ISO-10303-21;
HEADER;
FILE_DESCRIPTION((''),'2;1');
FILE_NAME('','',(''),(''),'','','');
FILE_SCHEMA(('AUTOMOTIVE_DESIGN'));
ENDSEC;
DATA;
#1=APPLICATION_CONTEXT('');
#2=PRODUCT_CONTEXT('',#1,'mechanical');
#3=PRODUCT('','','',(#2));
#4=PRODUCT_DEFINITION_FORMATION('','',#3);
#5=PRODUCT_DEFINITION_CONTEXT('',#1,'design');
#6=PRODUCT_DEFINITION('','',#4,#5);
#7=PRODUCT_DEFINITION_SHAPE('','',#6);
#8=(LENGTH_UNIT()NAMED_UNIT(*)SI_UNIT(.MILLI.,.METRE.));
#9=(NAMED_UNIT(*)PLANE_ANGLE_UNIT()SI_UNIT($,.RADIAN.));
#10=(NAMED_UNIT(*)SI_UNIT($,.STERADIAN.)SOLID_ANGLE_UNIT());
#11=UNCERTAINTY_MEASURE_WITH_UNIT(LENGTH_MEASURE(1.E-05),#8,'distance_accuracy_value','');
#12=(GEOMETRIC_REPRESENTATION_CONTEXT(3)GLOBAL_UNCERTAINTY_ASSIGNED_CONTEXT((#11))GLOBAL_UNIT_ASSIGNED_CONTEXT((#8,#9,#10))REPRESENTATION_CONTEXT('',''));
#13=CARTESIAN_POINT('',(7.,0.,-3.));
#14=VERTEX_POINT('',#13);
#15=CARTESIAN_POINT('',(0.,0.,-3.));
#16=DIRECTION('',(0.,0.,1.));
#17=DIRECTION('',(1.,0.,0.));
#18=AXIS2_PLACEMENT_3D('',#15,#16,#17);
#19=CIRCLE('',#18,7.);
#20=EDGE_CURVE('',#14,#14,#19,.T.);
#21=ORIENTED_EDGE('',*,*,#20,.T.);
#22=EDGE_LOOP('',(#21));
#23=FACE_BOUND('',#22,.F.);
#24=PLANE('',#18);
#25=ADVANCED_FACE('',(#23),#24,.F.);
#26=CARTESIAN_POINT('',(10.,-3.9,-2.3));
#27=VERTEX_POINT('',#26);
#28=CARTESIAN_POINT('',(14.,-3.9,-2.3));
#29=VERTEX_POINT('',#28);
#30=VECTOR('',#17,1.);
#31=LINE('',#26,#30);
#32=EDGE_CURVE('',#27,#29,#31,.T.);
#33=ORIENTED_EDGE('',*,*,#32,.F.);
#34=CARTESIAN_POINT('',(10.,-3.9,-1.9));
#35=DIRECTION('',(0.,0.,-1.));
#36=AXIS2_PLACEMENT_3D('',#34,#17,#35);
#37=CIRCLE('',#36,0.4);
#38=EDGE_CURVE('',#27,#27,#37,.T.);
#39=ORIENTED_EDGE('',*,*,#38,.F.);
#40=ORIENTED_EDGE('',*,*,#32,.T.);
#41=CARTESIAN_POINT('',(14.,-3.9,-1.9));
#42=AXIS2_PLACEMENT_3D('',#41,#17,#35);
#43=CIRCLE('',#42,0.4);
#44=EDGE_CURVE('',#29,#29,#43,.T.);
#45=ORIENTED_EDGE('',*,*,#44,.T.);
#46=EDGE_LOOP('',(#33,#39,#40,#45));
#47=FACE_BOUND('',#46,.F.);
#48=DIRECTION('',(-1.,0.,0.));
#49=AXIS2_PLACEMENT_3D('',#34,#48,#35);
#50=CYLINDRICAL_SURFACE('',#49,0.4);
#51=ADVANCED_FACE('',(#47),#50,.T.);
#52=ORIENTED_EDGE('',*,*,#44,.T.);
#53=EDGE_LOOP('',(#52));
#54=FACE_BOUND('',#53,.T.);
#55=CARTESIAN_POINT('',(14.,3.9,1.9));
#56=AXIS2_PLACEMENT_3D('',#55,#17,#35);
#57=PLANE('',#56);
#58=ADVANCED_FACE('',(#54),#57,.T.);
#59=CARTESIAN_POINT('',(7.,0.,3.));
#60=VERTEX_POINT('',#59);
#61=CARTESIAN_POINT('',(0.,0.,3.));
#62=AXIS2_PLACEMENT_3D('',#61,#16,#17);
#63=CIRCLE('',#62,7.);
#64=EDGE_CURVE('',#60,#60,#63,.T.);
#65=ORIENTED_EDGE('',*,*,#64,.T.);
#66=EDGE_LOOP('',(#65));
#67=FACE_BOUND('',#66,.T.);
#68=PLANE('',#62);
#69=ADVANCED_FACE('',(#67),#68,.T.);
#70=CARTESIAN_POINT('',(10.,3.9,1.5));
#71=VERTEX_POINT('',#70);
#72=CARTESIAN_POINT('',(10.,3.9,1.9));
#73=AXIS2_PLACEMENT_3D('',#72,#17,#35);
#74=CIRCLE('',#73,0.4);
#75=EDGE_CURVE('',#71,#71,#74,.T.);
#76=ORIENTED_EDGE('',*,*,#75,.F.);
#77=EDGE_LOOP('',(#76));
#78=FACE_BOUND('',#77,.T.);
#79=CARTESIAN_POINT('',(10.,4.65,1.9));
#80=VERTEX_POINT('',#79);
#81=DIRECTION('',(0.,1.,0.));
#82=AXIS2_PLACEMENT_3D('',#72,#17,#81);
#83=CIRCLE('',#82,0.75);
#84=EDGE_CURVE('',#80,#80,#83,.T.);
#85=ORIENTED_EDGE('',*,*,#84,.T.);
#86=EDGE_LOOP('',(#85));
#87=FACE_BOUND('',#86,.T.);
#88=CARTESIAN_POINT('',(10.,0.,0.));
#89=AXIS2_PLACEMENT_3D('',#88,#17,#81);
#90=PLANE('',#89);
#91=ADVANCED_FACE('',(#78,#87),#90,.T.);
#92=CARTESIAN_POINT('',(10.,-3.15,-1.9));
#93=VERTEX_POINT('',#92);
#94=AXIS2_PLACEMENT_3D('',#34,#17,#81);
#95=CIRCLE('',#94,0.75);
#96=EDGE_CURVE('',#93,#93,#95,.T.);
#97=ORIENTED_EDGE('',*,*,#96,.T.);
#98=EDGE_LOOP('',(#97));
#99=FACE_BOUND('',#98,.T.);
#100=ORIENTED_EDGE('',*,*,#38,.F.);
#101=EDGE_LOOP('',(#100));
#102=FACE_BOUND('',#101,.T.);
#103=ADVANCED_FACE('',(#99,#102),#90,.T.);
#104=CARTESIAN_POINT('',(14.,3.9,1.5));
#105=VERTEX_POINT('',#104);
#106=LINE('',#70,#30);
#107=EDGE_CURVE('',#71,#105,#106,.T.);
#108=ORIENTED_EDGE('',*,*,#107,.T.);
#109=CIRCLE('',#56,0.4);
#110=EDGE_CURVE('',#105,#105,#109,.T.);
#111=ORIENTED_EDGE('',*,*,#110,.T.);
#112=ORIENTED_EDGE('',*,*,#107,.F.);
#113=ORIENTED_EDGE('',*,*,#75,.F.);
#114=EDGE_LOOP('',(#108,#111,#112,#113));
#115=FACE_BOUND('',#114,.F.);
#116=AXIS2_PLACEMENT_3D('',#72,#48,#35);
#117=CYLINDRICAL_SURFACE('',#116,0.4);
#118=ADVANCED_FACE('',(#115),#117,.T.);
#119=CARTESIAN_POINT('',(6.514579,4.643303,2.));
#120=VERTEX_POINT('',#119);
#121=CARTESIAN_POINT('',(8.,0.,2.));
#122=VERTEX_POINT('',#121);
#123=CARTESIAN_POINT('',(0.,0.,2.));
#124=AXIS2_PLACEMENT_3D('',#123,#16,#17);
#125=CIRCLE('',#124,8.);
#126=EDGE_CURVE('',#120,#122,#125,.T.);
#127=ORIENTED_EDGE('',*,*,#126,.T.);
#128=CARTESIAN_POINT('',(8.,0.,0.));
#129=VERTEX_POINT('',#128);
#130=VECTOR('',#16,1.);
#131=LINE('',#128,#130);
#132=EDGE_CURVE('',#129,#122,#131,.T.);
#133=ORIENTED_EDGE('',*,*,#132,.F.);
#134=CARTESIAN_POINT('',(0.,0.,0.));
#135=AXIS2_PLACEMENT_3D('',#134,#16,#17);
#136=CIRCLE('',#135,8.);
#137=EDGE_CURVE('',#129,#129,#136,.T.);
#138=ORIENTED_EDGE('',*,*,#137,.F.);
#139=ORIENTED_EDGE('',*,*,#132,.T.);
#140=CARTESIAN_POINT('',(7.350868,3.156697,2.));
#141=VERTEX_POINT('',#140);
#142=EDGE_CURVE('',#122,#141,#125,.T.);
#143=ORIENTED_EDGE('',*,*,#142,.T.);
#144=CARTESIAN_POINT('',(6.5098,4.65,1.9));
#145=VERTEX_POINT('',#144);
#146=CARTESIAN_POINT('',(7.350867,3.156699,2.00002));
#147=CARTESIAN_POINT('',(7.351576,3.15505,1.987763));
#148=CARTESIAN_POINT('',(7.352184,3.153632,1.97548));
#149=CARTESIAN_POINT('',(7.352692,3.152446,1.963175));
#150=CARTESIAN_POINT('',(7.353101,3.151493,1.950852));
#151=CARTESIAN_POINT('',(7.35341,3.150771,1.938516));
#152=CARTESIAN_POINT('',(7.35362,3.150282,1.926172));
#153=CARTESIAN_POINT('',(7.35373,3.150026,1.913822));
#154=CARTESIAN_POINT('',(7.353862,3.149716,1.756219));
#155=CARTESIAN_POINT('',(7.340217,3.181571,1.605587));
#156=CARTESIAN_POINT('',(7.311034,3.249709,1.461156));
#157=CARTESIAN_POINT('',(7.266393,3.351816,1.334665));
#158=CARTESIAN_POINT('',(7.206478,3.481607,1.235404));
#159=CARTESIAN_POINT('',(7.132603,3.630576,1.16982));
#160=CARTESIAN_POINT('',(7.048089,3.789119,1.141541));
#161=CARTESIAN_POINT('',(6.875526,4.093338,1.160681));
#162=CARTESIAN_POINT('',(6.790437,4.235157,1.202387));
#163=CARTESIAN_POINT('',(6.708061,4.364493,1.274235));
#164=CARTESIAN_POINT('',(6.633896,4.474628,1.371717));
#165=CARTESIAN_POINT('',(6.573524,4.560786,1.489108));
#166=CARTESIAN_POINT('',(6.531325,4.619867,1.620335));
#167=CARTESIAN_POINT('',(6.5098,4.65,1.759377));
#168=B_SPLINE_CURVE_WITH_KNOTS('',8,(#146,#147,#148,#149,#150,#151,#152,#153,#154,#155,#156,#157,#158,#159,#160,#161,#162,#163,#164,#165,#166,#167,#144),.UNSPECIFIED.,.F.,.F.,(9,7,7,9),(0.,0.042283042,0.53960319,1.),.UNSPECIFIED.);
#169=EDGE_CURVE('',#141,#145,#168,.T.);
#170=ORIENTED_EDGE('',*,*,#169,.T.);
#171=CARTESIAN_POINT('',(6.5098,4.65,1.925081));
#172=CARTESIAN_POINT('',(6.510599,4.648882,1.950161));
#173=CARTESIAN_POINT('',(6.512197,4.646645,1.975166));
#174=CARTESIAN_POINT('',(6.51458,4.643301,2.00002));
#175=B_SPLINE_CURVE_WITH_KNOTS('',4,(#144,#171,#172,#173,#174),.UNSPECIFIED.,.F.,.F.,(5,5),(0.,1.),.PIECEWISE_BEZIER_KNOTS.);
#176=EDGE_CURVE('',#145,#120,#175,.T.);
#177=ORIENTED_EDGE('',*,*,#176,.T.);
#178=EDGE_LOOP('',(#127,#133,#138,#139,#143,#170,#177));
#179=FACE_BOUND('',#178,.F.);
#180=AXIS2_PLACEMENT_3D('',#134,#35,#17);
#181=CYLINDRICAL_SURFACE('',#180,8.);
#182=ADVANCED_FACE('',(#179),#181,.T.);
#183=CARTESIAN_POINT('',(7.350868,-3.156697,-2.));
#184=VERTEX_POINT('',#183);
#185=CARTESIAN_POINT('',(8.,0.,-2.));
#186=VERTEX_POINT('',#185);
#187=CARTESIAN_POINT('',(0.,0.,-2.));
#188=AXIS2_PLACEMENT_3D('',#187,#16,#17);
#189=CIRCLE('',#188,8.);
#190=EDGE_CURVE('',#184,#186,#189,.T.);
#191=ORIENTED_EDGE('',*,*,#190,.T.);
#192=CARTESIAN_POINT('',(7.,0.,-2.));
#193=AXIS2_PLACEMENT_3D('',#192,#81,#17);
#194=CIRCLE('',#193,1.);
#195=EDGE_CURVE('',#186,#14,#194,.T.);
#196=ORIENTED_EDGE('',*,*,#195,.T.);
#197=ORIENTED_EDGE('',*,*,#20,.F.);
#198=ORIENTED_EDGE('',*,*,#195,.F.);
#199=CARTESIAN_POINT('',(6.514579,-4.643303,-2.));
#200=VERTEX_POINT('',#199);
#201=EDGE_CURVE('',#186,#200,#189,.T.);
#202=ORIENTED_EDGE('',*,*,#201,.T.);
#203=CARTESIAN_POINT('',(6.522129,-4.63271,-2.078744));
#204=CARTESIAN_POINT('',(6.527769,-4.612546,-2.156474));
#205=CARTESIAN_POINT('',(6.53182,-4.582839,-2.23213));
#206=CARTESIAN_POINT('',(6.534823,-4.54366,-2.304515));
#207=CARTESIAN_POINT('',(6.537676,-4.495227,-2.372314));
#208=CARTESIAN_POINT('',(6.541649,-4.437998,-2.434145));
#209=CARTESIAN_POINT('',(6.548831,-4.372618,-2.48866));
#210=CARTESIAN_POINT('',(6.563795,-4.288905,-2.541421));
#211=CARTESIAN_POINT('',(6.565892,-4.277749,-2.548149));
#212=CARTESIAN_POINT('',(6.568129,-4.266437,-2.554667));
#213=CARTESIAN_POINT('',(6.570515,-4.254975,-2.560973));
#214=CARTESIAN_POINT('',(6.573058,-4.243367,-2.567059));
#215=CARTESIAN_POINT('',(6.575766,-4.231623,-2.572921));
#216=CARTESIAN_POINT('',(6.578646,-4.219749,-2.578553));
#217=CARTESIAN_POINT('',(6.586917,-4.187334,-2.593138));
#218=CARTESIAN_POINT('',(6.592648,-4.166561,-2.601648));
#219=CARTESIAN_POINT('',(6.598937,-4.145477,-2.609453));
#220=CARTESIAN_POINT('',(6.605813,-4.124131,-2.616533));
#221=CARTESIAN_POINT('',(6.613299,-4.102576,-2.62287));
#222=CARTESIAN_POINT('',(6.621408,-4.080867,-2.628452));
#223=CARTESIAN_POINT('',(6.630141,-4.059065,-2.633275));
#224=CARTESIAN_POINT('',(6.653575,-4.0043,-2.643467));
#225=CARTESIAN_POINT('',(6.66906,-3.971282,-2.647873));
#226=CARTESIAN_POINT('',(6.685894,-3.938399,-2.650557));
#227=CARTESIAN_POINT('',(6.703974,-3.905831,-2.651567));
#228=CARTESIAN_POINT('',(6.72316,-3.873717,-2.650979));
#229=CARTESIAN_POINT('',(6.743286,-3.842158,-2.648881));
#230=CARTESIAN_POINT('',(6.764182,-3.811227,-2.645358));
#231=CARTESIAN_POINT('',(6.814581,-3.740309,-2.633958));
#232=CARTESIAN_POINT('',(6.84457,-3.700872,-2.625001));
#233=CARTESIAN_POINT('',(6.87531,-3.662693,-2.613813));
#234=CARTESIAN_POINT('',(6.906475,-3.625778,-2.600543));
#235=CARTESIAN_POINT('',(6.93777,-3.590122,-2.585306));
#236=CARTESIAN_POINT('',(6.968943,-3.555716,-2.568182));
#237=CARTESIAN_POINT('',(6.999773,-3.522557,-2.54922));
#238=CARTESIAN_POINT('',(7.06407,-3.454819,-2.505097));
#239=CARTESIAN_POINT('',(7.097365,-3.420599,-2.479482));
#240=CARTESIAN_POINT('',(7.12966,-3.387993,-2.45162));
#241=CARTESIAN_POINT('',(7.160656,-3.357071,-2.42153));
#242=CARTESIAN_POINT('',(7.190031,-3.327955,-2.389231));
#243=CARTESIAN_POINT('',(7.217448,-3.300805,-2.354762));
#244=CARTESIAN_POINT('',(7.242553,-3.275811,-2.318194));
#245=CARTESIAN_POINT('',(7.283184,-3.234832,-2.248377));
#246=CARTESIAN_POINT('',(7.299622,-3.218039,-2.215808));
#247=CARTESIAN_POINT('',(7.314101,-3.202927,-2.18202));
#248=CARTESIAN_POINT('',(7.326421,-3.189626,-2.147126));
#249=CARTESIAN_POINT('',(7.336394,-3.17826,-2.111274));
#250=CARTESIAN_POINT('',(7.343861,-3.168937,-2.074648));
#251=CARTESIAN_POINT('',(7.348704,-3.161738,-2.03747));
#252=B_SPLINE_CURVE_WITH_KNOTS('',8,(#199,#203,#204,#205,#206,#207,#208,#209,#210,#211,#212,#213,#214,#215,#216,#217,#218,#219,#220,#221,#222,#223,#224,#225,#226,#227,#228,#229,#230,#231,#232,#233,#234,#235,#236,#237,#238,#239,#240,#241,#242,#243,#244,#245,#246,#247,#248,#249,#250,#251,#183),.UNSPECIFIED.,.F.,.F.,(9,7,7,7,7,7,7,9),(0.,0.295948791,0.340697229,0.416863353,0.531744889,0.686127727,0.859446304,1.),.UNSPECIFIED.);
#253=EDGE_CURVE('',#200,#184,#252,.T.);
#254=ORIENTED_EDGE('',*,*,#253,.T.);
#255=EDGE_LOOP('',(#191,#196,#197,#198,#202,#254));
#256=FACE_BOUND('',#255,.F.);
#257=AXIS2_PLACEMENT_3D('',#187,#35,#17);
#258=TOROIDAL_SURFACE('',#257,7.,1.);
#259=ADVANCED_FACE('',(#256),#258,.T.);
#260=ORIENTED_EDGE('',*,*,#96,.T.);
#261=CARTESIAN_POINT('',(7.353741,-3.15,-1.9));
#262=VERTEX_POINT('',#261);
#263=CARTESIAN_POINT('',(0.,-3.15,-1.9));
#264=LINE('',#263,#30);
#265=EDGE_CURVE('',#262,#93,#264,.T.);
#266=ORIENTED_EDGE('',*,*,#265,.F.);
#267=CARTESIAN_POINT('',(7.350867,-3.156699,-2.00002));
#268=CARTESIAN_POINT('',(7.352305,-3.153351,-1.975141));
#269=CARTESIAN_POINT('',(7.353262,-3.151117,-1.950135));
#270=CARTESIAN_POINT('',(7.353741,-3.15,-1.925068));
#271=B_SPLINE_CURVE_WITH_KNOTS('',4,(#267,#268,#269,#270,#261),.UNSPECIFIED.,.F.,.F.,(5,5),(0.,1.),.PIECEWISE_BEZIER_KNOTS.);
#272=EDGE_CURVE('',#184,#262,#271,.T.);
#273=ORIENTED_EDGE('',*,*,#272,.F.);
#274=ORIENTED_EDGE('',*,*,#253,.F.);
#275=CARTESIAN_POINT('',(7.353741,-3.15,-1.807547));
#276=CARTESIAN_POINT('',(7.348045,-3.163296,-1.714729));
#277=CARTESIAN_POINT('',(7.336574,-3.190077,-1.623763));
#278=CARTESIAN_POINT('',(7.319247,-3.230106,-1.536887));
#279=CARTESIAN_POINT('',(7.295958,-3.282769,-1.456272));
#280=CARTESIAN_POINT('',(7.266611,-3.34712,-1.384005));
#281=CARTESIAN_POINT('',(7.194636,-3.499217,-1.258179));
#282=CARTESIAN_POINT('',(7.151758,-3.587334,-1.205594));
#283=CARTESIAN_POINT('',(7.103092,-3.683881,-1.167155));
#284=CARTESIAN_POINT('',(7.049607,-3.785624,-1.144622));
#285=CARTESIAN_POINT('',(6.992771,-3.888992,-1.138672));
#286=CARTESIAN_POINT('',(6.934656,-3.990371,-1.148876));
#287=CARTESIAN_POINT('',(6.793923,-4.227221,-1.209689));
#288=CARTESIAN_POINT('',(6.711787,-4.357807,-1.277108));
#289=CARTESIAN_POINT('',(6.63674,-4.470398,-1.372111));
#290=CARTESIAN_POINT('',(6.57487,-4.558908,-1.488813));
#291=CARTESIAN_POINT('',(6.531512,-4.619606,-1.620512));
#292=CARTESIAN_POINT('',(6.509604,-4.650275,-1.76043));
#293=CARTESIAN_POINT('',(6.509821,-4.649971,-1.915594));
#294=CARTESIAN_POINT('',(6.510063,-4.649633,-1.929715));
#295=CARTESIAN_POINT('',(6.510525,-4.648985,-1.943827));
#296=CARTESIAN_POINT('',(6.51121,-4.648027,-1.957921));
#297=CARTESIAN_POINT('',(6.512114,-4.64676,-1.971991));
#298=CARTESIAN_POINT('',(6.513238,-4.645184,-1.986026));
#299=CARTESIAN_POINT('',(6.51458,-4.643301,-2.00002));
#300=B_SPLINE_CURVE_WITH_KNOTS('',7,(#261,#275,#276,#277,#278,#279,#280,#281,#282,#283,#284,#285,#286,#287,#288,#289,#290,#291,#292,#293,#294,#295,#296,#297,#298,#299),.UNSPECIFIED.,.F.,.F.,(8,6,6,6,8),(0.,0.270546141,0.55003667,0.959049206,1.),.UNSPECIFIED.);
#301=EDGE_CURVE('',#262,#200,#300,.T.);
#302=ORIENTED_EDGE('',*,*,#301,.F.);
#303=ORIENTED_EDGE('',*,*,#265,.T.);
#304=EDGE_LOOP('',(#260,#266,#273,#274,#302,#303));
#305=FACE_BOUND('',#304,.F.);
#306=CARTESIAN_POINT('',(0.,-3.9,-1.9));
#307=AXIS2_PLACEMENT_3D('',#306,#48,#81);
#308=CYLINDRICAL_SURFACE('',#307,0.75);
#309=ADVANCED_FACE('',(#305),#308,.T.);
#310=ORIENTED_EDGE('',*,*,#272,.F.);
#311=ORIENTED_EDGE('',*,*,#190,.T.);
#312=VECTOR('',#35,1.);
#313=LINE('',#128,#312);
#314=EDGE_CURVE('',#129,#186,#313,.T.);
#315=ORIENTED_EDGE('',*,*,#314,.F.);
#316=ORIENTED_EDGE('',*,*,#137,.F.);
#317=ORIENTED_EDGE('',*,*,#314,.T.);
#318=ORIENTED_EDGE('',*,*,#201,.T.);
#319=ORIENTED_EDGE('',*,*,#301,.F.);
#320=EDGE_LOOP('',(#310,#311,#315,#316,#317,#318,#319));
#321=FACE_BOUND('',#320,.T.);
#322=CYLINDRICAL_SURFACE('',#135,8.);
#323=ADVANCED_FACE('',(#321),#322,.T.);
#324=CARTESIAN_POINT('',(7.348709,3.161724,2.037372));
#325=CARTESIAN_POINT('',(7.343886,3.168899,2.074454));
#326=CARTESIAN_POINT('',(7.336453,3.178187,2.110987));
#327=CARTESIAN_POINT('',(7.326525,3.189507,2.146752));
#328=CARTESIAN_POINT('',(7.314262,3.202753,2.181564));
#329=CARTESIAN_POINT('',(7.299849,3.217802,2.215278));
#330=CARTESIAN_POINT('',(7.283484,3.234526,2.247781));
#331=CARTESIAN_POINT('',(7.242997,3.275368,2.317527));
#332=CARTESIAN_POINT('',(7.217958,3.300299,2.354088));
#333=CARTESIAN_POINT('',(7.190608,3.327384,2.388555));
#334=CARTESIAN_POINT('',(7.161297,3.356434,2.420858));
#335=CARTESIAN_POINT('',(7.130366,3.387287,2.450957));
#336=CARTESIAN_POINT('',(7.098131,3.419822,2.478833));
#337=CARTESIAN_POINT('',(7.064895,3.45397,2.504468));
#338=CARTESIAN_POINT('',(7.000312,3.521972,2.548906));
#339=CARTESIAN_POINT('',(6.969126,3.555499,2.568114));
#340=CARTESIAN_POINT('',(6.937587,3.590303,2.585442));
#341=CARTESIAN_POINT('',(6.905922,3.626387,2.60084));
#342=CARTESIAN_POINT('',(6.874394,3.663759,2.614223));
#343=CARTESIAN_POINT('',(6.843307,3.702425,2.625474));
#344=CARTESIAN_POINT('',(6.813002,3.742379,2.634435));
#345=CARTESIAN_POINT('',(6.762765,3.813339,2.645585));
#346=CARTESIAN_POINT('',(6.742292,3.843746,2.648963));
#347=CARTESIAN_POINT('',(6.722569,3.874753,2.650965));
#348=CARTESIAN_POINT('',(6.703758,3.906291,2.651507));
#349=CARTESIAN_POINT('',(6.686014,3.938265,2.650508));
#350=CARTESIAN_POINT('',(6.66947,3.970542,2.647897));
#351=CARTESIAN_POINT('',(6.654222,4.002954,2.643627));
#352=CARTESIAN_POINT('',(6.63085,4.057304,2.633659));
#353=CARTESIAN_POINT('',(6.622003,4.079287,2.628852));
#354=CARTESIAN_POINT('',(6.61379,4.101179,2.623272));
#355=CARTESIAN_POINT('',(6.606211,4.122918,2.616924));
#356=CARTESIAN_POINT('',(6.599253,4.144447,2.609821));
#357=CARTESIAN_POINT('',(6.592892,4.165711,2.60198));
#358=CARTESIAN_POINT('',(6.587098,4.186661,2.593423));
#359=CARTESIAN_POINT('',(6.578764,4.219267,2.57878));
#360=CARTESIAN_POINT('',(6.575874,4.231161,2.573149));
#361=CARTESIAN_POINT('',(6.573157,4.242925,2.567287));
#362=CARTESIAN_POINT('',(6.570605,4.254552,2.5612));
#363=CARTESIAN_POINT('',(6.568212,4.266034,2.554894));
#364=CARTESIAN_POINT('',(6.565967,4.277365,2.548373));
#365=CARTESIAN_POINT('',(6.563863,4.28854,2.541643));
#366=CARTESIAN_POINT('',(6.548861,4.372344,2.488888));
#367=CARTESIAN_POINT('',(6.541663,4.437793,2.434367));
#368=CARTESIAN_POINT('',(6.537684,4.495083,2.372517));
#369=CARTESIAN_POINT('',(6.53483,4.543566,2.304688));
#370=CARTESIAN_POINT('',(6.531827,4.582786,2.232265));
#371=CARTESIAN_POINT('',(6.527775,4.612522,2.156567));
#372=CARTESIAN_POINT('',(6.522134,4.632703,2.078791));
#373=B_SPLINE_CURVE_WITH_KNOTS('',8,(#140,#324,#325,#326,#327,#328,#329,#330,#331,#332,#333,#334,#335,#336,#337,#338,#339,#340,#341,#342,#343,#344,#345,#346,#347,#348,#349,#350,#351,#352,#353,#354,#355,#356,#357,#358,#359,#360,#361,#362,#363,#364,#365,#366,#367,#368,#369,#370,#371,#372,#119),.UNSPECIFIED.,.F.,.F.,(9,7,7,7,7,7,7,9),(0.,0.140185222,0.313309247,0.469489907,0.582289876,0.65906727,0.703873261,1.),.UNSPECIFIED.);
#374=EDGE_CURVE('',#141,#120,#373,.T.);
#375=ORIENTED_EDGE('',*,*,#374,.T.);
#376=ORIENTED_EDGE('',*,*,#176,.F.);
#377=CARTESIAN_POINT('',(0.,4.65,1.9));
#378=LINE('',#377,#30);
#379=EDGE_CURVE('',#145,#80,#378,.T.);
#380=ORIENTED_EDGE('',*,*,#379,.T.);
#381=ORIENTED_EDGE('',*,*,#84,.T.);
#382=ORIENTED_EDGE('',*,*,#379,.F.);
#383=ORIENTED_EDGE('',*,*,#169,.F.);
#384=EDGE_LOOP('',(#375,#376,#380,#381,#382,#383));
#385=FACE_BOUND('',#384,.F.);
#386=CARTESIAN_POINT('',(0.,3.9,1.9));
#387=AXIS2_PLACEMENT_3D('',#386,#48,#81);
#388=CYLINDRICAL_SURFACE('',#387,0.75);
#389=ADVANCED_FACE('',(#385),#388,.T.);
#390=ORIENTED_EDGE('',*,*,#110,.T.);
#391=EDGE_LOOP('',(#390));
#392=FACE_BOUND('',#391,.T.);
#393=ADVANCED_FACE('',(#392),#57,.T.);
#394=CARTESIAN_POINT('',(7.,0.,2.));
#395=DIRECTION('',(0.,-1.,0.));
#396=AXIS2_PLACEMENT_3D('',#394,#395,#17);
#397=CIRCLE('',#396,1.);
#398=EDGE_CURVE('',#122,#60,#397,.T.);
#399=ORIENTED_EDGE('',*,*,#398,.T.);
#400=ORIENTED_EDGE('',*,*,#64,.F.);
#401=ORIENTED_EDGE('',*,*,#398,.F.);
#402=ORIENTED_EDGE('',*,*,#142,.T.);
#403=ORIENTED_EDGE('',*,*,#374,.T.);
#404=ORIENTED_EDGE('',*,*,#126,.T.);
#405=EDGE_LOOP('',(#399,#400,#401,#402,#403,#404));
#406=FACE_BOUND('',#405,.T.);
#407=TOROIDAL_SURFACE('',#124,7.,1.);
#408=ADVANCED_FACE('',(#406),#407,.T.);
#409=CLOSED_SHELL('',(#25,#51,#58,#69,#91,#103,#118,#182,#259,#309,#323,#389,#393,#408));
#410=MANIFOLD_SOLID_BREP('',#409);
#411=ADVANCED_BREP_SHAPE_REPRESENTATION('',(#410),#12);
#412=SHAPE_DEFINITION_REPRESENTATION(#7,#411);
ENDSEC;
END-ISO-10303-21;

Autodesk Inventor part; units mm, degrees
ref_plane "YZ Plane" through (0, 0, 0) normal (1, 0, 0) x (0, 1, 0)
ref_plane "XZ Plane" through (0, 0, 0) normal (0, 1, 0) x (-1, 0, 0)
ref_plane "XY Plane" through (0, 0, 0) normal (0, 0, 1) x (1, 0, 0)
sketch "Sketch1" plane through (0, 0, 0) normal (0, 0, 1) x (1, 0, 0)
  circle A0 centre (0, 0) radius 8
  dimension "d0" = 16
extrude "Extrusion1" add sketch "Sketch1" along normal mid plane 6
fillet "Fillet1" radius 1 2 edges at (-8, 0, 3) (-8, 0, -3)
sketch "Sketch2" plane through (0, 0, 0) normal (1, 0, 0) x (0, 1, 0)
  circle A0 centre (3.9, 1.9) radius 0.75
  circle A1 centre (-3.9, -1.9) radius 0.75
  point P0 (0, 0)
  dimension "d4" = 3.9
  dimension "d5" = 3.9
  dimension "d8" = 1.5
  dimension "d9" = 1.5
  dimension "d20" = 1.9
  dimension "d21" = 1.9
extrude "Extrusion2" add sketch "Sketch2" along normal blind 10
sketch "Sketch3" plane through (10, 3.9, 1.9) normal (1, 0, 0) x (0, 0, -1)
  circle A0 centre (0, 0) radius 0.4
  circle A1 centre (3.8, -7.8) radius 0.4
  point P0 (1.9, -3.9)
  dimension "d14" = 3.9
  dimension "d15" = 3.9
  dimension "d16" = 0.8
  dimension "d17" = 0.8
  dimension "d22" = 1.9
  dimension "d23" = 1.9
extrude "Extrusion3" add sketch "Sketch3" along normal blind 4
properties part number "16mm_7_2mmDiskPTC"
